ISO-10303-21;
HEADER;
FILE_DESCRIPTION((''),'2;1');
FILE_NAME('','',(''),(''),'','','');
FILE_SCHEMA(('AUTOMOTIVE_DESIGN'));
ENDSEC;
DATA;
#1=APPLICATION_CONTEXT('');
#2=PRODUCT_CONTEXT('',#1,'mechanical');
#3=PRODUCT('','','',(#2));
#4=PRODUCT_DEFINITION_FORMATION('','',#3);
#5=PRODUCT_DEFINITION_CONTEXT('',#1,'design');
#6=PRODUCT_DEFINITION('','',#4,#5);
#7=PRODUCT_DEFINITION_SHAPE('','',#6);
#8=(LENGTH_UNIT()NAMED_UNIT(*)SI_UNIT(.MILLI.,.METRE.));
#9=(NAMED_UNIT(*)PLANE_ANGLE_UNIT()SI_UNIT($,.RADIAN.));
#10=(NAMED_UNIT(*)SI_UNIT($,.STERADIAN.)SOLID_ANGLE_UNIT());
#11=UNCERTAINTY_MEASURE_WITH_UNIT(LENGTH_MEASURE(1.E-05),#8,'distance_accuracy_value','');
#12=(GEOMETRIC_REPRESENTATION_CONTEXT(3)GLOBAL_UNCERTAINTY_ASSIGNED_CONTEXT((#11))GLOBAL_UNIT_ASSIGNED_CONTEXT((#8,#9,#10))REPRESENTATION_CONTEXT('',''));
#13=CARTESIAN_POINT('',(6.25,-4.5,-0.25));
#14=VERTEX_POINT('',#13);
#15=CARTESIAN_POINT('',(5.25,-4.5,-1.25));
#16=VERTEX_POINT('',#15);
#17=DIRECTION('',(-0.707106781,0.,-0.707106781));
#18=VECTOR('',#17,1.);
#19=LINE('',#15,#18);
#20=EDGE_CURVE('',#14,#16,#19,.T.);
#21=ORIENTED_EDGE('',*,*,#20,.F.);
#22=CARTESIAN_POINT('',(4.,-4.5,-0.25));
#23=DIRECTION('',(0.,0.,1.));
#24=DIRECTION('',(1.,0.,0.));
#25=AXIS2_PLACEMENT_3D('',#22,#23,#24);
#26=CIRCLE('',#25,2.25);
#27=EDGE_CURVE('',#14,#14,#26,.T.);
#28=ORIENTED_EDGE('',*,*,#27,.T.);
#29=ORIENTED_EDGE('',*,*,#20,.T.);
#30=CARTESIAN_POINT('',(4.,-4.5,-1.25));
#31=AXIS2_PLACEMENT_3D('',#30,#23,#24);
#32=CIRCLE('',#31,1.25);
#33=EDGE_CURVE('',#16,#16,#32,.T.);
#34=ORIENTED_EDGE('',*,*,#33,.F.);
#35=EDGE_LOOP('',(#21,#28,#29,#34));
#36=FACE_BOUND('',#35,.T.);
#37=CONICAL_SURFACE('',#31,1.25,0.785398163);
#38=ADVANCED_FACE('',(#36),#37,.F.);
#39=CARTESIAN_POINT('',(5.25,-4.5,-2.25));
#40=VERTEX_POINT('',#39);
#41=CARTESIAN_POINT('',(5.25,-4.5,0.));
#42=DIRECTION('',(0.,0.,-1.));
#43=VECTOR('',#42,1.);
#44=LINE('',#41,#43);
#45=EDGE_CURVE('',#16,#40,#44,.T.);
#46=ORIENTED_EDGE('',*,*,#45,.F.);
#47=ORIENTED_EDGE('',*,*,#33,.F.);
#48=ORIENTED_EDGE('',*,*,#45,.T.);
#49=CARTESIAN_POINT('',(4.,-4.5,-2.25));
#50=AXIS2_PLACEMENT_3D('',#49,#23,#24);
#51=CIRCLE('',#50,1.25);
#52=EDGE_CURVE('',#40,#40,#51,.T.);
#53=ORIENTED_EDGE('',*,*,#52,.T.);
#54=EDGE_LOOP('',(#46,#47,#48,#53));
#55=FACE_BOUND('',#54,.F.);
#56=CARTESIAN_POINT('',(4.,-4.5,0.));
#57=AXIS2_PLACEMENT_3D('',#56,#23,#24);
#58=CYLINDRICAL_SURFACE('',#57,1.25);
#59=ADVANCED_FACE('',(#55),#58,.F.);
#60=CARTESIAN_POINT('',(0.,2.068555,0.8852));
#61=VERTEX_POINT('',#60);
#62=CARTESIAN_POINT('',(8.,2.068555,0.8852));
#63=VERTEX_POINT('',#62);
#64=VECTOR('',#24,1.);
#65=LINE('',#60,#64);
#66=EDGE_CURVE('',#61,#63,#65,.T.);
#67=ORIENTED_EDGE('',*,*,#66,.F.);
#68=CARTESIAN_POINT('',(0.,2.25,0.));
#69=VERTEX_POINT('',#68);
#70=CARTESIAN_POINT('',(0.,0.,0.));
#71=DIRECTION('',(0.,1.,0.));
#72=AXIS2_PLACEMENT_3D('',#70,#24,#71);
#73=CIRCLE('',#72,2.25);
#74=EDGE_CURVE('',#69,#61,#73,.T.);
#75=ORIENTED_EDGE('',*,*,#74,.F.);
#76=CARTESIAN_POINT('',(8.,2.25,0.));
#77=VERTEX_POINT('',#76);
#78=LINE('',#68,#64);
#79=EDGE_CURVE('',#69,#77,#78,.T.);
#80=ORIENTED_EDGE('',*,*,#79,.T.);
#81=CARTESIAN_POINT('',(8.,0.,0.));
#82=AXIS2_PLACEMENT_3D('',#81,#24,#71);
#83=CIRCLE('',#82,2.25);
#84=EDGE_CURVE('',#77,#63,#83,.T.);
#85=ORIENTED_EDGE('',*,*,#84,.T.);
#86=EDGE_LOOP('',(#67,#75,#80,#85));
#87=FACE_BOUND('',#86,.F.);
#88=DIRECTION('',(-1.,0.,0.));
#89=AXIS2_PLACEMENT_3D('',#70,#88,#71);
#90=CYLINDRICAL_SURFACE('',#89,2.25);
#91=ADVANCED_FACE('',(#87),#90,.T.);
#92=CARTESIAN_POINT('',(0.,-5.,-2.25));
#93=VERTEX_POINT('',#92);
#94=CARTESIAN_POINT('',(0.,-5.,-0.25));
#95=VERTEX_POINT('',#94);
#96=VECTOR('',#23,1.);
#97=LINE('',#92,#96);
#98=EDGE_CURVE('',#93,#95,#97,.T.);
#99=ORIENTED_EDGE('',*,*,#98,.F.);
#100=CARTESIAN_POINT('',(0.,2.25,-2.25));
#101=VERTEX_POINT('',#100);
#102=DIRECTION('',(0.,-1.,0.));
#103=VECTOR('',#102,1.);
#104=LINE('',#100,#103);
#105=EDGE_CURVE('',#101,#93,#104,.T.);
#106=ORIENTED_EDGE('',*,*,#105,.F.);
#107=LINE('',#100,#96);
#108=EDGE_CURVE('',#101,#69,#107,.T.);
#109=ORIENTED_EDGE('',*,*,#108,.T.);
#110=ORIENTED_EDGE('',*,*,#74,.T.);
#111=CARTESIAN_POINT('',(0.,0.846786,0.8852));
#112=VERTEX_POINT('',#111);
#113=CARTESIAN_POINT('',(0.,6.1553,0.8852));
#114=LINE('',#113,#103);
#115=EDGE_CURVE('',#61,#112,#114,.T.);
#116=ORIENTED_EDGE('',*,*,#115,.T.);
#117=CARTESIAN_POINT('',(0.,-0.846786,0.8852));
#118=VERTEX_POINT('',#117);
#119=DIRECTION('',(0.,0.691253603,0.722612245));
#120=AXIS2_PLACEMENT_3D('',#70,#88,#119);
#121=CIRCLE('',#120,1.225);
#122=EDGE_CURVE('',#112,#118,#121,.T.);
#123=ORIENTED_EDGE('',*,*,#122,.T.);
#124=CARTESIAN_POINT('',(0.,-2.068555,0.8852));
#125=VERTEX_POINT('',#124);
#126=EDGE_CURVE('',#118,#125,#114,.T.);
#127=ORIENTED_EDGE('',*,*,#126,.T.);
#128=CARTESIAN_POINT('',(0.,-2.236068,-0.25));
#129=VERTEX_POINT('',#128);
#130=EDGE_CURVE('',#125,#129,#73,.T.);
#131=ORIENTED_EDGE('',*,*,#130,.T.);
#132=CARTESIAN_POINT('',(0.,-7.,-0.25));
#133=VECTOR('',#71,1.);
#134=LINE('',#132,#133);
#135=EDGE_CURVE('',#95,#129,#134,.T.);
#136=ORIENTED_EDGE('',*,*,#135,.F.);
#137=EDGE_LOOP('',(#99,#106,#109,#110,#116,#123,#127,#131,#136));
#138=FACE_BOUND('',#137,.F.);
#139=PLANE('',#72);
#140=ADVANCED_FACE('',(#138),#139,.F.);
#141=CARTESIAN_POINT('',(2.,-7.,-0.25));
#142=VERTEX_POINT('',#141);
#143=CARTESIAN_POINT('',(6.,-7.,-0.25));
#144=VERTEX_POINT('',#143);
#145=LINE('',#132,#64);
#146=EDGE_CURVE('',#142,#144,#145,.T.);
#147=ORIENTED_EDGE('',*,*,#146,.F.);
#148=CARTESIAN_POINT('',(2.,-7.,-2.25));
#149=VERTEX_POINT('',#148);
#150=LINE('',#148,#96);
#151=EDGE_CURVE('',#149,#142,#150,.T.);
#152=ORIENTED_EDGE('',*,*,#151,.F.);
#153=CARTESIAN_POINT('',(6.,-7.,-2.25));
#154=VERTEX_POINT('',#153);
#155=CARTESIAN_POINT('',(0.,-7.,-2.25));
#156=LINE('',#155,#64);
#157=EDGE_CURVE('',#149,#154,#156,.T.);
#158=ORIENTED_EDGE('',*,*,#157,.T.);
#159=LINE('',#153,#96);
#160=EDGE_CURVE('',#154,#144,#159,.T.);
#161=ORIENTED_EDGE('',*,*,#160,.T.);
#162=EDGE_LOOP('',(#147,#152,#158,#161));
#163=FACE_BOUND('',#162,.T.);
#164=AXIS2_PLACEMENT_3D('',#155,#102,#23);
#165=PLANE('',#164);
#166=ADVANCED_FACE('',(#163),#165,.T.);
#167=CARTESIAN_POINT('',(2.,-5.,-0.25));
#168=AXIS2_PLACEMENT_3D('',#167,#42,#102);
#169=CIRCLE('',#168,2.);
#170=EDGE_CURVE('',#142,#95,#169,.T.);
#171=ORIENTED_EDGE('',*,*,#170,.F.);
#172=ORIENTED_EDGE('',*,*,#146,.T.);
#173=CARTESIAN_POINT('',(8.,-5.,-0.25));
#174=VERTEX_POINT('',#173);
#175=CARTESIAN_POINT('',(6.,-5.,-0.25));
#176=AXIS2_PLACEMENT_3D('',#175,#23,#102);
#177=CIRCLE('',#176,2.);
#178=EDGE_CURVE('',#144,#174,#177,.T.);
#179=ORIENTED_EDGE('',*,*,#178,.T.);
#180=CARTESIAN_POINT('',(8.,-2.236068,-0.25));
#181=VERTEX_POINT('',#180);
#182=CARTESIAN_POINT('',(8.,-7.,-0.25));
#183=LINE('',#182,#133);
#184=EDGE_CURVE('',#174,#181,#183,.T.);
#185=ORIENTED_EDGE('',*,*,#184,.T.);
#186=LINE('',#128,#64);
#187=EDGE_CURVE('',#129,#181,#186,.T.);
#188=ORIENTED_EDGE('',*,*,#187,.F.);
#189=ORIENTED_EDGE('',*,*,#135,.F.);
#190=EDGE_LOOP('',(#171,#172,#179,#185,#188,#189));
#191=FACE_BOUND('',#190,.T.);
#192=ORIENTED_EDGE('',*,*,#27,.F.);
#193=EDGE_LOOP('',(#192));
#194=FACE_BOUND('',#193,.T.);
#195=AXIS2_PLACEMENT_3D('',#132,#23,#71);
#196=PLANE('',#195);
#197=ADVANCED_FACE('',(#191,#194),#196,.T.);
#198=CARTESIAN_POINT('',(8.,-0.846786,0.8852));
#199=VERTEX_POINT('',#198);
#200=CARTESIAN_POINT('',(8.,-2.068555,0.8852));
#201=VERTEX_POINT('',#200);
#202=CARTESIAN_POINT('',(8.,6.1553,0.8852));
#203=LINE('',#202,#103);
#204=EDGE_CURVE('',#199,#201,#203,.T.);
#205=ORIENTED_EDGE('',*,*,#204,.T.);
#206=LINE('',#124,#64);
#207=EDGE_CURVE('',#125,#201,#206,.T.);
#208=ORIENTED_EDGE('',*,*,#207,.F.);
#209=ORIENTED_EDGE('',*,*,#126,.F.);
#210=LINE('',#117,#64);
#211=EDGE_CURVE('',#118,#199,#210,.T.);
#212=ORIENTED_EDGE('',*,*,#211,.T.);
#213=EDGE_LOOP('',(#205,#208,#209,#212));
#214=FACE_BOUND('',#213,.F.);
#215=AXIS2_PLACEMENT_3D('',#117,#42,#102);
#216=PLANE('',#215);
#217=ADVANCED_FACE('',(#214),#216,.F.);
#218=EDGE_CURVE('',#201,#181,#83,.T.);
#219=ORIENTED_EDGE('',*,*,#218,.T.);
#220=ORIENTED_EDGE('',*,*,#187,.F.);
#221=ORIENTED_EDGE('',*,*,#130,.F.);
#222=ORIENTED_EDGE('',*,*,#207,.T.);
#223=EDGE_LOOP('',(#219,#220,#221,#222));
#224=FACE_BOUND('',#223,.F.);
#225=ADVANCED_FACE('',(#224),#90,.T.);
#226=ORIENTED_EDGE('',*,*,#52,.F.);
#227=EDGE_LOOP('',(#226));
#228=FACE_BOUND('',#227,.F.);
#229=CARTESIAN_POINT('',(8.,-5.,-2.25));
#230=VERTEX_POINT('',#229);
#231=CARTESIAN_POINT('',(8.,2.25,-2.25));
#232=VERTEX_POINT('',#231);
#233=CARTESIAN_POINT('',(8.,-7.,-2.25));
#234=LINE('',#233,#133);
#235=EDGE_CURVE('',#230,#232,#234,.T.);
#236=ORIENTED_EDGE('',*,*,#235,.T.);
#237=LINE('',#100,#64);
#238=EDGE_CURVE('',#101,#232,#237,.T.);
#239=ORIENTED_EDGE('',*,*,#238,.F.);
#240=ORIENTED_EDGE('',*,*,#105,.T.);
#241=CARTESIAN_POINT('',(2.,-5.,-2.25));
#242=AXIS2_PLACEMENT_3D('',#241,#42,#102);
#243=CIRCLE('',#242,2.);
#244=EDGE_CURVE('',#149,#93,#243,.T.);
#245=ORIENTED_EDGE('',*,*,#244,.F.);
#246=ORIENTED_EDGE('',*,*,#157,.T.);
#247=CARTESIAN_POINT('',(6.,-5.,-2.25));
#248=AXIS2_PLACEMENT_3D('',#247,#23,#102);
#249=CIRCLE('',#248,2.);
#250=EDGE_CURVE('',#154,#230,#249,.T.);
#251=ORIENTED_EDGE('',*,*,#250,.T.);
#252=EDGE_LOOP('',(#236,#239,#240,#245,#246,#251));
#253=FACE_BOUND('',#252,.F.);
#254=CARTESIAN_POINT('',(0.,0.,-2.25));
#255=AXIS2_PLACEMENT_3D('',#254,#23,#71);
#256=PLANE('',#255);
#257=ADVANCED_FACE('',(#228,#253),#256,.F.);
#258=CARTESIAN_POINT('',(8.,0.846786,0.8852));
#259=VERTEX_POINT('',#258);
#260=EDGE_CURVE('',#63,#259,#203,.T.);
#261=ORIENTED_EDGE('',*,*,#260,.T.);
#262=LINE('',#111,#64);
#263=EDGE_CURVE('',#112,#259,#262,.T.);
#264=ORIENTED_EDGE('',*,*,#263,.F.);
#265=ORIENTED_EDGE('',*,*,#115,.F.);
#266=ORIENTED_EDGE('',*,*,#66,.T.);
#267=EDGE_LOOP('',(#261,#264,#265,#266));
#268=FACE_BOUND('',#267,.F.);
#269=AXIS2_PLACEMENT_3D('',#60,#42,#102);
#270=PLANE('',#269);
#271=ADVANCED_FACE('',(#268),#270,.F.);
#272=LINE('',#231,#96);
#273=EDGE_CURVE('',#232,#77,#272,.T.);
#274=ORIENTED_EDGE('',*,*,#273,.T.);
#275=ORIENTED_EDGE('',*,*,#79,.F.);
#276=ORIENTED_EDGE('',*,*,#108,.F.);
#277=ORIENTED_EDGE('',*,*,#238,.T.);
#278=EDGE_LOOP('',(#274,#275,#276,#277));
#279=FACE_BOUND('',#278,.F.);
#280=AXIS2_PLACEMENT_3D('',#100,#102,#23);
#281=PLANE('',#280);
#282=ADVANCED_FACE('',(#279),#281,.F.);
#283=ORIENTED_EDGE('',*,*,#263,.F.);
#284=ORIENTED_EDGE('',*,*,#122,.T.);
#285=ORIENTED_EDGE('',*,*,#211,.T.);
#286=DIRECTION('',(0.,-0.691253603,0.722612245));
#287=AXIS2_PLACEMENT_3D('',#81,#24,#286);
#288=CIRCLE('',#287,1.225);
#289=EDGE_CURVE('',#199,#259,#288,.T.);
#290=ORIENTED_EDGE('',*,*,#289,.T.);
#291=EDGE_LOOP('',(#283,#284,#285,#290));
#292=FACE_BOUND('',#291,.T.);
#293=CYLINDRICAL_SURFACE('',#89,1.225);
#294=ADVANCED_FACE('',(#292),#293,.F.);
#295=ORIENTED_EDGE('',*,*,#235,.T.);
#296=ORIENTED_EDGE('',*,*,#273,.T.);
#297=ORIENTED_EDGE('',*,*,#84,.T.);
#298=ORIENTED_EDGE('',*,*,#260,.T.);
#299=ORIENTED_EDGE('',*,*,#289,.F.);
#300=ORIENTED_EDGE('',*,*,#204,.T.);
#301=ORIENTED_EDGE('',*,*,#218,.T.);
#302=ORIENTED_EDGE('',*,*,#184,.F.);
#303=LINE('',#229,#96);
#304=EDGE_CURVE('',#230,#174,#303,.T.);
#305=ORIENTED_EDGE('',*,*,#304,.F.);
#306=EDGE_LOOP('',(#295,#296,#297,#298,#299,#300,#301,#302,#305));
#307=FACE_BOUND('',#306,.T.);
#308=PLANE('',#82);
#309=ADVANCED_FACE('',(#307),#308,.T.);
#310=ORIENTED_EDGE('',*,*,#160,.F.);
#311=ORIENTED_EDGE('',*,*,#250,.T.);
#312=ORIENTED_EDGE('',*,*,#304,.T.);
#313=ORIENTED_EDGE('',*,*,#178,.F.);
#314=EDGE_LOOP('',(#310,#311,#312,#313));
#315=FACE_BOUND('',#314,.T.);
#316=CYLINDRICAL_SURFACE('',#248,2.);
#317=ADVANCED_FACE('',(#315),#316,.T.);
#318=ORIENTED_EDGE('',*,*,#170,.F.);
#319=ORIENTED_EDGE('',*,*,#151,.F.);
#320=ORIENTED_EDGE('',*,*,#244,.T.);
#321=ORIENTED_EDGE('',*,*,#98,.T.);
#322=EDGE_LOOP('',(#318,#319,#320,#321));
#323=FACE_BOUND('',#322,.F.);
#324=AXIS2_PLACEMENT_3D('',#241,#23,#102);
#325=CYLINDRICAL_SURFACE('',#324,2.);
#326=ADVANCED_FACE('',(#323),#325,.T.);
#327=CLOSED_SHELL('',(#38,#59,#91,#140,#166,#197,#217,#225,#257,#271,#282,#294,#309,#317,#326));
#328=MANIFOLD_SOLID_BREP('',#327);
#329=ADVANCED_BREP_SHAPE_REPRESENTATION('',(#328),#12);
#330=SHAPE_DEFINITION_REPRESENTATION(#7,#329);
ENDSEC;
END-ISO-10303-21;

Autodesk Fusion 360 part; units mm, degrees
sketch "Sketch1" plane through (0, 0, 0) normal (1, 0, 0) x (0, 1, 0)
  circle A0 centre (0, 0) radius 1.225
  circle A1 centre (0, 0) radius 2.25
  line L0 (0, -2.25) -> (-7, -2.25)
  line L1 (-7, -2.25) -> (-7, -0.25)
  line L2 (-7, -0.25) -> (0, -0.25)
  line L3 (0, -0.25) -> (0, -2.25)
  line L4 (-4.9672, 4.6123) -> (6.1553, 4.6123)
  line L5 (6.1553, 4.6123) -> (6.1553, 0.8852)
  line L6 (6.1553, 0.8852) -> (-4.9672, 0.8852)
  line L7 (-4.9672, 0.8852) -> (-4.9672, 4.6123)
  line L8 (0, -2.25) -> (2.25, -2.25)
  line L9 (2.25, -2.25) -> (2.25, 0)
  line L10 (2.25, 0) -> (0, 0)
  line L11 (0, 0) -> (0, -2.25)
  dimension "d1" = 2.45
  dimension "d2" = 4.5
  dimension "d3" = 7
  dimension "d4" = 2
  dimension "d5" = 2.25
  dimension "d6" = 2.25
extrude "Extrude1" add sketch "Sketch1" along normal blind 8 contours A0 A1 L3 L10 L11 | A0 A1 L6 L10 | A0 A1 L2 L3 L11 | A1 L8 L9 | A0 A1 L2 L6 | A1 L0 L1 L2
sketch "Sketch2" plane through (0, 0, 0) normal (0, 0, 1) x (1, 0, 0)
  circle A0 centre (4, -4.5) radius 1.25
  dimension "d9" = 2.5
extrude "Extrude2" cut sketch "Sketch2" against normal blind 6.5
chamfer "Chamfer1" distance 1 angle 45 1 edges at (2.8346, -4.048, -0.25)
fillet "Fillet1" radius 2 2 edges at (0, -7, -1.25) (8, -7, -1.25)
